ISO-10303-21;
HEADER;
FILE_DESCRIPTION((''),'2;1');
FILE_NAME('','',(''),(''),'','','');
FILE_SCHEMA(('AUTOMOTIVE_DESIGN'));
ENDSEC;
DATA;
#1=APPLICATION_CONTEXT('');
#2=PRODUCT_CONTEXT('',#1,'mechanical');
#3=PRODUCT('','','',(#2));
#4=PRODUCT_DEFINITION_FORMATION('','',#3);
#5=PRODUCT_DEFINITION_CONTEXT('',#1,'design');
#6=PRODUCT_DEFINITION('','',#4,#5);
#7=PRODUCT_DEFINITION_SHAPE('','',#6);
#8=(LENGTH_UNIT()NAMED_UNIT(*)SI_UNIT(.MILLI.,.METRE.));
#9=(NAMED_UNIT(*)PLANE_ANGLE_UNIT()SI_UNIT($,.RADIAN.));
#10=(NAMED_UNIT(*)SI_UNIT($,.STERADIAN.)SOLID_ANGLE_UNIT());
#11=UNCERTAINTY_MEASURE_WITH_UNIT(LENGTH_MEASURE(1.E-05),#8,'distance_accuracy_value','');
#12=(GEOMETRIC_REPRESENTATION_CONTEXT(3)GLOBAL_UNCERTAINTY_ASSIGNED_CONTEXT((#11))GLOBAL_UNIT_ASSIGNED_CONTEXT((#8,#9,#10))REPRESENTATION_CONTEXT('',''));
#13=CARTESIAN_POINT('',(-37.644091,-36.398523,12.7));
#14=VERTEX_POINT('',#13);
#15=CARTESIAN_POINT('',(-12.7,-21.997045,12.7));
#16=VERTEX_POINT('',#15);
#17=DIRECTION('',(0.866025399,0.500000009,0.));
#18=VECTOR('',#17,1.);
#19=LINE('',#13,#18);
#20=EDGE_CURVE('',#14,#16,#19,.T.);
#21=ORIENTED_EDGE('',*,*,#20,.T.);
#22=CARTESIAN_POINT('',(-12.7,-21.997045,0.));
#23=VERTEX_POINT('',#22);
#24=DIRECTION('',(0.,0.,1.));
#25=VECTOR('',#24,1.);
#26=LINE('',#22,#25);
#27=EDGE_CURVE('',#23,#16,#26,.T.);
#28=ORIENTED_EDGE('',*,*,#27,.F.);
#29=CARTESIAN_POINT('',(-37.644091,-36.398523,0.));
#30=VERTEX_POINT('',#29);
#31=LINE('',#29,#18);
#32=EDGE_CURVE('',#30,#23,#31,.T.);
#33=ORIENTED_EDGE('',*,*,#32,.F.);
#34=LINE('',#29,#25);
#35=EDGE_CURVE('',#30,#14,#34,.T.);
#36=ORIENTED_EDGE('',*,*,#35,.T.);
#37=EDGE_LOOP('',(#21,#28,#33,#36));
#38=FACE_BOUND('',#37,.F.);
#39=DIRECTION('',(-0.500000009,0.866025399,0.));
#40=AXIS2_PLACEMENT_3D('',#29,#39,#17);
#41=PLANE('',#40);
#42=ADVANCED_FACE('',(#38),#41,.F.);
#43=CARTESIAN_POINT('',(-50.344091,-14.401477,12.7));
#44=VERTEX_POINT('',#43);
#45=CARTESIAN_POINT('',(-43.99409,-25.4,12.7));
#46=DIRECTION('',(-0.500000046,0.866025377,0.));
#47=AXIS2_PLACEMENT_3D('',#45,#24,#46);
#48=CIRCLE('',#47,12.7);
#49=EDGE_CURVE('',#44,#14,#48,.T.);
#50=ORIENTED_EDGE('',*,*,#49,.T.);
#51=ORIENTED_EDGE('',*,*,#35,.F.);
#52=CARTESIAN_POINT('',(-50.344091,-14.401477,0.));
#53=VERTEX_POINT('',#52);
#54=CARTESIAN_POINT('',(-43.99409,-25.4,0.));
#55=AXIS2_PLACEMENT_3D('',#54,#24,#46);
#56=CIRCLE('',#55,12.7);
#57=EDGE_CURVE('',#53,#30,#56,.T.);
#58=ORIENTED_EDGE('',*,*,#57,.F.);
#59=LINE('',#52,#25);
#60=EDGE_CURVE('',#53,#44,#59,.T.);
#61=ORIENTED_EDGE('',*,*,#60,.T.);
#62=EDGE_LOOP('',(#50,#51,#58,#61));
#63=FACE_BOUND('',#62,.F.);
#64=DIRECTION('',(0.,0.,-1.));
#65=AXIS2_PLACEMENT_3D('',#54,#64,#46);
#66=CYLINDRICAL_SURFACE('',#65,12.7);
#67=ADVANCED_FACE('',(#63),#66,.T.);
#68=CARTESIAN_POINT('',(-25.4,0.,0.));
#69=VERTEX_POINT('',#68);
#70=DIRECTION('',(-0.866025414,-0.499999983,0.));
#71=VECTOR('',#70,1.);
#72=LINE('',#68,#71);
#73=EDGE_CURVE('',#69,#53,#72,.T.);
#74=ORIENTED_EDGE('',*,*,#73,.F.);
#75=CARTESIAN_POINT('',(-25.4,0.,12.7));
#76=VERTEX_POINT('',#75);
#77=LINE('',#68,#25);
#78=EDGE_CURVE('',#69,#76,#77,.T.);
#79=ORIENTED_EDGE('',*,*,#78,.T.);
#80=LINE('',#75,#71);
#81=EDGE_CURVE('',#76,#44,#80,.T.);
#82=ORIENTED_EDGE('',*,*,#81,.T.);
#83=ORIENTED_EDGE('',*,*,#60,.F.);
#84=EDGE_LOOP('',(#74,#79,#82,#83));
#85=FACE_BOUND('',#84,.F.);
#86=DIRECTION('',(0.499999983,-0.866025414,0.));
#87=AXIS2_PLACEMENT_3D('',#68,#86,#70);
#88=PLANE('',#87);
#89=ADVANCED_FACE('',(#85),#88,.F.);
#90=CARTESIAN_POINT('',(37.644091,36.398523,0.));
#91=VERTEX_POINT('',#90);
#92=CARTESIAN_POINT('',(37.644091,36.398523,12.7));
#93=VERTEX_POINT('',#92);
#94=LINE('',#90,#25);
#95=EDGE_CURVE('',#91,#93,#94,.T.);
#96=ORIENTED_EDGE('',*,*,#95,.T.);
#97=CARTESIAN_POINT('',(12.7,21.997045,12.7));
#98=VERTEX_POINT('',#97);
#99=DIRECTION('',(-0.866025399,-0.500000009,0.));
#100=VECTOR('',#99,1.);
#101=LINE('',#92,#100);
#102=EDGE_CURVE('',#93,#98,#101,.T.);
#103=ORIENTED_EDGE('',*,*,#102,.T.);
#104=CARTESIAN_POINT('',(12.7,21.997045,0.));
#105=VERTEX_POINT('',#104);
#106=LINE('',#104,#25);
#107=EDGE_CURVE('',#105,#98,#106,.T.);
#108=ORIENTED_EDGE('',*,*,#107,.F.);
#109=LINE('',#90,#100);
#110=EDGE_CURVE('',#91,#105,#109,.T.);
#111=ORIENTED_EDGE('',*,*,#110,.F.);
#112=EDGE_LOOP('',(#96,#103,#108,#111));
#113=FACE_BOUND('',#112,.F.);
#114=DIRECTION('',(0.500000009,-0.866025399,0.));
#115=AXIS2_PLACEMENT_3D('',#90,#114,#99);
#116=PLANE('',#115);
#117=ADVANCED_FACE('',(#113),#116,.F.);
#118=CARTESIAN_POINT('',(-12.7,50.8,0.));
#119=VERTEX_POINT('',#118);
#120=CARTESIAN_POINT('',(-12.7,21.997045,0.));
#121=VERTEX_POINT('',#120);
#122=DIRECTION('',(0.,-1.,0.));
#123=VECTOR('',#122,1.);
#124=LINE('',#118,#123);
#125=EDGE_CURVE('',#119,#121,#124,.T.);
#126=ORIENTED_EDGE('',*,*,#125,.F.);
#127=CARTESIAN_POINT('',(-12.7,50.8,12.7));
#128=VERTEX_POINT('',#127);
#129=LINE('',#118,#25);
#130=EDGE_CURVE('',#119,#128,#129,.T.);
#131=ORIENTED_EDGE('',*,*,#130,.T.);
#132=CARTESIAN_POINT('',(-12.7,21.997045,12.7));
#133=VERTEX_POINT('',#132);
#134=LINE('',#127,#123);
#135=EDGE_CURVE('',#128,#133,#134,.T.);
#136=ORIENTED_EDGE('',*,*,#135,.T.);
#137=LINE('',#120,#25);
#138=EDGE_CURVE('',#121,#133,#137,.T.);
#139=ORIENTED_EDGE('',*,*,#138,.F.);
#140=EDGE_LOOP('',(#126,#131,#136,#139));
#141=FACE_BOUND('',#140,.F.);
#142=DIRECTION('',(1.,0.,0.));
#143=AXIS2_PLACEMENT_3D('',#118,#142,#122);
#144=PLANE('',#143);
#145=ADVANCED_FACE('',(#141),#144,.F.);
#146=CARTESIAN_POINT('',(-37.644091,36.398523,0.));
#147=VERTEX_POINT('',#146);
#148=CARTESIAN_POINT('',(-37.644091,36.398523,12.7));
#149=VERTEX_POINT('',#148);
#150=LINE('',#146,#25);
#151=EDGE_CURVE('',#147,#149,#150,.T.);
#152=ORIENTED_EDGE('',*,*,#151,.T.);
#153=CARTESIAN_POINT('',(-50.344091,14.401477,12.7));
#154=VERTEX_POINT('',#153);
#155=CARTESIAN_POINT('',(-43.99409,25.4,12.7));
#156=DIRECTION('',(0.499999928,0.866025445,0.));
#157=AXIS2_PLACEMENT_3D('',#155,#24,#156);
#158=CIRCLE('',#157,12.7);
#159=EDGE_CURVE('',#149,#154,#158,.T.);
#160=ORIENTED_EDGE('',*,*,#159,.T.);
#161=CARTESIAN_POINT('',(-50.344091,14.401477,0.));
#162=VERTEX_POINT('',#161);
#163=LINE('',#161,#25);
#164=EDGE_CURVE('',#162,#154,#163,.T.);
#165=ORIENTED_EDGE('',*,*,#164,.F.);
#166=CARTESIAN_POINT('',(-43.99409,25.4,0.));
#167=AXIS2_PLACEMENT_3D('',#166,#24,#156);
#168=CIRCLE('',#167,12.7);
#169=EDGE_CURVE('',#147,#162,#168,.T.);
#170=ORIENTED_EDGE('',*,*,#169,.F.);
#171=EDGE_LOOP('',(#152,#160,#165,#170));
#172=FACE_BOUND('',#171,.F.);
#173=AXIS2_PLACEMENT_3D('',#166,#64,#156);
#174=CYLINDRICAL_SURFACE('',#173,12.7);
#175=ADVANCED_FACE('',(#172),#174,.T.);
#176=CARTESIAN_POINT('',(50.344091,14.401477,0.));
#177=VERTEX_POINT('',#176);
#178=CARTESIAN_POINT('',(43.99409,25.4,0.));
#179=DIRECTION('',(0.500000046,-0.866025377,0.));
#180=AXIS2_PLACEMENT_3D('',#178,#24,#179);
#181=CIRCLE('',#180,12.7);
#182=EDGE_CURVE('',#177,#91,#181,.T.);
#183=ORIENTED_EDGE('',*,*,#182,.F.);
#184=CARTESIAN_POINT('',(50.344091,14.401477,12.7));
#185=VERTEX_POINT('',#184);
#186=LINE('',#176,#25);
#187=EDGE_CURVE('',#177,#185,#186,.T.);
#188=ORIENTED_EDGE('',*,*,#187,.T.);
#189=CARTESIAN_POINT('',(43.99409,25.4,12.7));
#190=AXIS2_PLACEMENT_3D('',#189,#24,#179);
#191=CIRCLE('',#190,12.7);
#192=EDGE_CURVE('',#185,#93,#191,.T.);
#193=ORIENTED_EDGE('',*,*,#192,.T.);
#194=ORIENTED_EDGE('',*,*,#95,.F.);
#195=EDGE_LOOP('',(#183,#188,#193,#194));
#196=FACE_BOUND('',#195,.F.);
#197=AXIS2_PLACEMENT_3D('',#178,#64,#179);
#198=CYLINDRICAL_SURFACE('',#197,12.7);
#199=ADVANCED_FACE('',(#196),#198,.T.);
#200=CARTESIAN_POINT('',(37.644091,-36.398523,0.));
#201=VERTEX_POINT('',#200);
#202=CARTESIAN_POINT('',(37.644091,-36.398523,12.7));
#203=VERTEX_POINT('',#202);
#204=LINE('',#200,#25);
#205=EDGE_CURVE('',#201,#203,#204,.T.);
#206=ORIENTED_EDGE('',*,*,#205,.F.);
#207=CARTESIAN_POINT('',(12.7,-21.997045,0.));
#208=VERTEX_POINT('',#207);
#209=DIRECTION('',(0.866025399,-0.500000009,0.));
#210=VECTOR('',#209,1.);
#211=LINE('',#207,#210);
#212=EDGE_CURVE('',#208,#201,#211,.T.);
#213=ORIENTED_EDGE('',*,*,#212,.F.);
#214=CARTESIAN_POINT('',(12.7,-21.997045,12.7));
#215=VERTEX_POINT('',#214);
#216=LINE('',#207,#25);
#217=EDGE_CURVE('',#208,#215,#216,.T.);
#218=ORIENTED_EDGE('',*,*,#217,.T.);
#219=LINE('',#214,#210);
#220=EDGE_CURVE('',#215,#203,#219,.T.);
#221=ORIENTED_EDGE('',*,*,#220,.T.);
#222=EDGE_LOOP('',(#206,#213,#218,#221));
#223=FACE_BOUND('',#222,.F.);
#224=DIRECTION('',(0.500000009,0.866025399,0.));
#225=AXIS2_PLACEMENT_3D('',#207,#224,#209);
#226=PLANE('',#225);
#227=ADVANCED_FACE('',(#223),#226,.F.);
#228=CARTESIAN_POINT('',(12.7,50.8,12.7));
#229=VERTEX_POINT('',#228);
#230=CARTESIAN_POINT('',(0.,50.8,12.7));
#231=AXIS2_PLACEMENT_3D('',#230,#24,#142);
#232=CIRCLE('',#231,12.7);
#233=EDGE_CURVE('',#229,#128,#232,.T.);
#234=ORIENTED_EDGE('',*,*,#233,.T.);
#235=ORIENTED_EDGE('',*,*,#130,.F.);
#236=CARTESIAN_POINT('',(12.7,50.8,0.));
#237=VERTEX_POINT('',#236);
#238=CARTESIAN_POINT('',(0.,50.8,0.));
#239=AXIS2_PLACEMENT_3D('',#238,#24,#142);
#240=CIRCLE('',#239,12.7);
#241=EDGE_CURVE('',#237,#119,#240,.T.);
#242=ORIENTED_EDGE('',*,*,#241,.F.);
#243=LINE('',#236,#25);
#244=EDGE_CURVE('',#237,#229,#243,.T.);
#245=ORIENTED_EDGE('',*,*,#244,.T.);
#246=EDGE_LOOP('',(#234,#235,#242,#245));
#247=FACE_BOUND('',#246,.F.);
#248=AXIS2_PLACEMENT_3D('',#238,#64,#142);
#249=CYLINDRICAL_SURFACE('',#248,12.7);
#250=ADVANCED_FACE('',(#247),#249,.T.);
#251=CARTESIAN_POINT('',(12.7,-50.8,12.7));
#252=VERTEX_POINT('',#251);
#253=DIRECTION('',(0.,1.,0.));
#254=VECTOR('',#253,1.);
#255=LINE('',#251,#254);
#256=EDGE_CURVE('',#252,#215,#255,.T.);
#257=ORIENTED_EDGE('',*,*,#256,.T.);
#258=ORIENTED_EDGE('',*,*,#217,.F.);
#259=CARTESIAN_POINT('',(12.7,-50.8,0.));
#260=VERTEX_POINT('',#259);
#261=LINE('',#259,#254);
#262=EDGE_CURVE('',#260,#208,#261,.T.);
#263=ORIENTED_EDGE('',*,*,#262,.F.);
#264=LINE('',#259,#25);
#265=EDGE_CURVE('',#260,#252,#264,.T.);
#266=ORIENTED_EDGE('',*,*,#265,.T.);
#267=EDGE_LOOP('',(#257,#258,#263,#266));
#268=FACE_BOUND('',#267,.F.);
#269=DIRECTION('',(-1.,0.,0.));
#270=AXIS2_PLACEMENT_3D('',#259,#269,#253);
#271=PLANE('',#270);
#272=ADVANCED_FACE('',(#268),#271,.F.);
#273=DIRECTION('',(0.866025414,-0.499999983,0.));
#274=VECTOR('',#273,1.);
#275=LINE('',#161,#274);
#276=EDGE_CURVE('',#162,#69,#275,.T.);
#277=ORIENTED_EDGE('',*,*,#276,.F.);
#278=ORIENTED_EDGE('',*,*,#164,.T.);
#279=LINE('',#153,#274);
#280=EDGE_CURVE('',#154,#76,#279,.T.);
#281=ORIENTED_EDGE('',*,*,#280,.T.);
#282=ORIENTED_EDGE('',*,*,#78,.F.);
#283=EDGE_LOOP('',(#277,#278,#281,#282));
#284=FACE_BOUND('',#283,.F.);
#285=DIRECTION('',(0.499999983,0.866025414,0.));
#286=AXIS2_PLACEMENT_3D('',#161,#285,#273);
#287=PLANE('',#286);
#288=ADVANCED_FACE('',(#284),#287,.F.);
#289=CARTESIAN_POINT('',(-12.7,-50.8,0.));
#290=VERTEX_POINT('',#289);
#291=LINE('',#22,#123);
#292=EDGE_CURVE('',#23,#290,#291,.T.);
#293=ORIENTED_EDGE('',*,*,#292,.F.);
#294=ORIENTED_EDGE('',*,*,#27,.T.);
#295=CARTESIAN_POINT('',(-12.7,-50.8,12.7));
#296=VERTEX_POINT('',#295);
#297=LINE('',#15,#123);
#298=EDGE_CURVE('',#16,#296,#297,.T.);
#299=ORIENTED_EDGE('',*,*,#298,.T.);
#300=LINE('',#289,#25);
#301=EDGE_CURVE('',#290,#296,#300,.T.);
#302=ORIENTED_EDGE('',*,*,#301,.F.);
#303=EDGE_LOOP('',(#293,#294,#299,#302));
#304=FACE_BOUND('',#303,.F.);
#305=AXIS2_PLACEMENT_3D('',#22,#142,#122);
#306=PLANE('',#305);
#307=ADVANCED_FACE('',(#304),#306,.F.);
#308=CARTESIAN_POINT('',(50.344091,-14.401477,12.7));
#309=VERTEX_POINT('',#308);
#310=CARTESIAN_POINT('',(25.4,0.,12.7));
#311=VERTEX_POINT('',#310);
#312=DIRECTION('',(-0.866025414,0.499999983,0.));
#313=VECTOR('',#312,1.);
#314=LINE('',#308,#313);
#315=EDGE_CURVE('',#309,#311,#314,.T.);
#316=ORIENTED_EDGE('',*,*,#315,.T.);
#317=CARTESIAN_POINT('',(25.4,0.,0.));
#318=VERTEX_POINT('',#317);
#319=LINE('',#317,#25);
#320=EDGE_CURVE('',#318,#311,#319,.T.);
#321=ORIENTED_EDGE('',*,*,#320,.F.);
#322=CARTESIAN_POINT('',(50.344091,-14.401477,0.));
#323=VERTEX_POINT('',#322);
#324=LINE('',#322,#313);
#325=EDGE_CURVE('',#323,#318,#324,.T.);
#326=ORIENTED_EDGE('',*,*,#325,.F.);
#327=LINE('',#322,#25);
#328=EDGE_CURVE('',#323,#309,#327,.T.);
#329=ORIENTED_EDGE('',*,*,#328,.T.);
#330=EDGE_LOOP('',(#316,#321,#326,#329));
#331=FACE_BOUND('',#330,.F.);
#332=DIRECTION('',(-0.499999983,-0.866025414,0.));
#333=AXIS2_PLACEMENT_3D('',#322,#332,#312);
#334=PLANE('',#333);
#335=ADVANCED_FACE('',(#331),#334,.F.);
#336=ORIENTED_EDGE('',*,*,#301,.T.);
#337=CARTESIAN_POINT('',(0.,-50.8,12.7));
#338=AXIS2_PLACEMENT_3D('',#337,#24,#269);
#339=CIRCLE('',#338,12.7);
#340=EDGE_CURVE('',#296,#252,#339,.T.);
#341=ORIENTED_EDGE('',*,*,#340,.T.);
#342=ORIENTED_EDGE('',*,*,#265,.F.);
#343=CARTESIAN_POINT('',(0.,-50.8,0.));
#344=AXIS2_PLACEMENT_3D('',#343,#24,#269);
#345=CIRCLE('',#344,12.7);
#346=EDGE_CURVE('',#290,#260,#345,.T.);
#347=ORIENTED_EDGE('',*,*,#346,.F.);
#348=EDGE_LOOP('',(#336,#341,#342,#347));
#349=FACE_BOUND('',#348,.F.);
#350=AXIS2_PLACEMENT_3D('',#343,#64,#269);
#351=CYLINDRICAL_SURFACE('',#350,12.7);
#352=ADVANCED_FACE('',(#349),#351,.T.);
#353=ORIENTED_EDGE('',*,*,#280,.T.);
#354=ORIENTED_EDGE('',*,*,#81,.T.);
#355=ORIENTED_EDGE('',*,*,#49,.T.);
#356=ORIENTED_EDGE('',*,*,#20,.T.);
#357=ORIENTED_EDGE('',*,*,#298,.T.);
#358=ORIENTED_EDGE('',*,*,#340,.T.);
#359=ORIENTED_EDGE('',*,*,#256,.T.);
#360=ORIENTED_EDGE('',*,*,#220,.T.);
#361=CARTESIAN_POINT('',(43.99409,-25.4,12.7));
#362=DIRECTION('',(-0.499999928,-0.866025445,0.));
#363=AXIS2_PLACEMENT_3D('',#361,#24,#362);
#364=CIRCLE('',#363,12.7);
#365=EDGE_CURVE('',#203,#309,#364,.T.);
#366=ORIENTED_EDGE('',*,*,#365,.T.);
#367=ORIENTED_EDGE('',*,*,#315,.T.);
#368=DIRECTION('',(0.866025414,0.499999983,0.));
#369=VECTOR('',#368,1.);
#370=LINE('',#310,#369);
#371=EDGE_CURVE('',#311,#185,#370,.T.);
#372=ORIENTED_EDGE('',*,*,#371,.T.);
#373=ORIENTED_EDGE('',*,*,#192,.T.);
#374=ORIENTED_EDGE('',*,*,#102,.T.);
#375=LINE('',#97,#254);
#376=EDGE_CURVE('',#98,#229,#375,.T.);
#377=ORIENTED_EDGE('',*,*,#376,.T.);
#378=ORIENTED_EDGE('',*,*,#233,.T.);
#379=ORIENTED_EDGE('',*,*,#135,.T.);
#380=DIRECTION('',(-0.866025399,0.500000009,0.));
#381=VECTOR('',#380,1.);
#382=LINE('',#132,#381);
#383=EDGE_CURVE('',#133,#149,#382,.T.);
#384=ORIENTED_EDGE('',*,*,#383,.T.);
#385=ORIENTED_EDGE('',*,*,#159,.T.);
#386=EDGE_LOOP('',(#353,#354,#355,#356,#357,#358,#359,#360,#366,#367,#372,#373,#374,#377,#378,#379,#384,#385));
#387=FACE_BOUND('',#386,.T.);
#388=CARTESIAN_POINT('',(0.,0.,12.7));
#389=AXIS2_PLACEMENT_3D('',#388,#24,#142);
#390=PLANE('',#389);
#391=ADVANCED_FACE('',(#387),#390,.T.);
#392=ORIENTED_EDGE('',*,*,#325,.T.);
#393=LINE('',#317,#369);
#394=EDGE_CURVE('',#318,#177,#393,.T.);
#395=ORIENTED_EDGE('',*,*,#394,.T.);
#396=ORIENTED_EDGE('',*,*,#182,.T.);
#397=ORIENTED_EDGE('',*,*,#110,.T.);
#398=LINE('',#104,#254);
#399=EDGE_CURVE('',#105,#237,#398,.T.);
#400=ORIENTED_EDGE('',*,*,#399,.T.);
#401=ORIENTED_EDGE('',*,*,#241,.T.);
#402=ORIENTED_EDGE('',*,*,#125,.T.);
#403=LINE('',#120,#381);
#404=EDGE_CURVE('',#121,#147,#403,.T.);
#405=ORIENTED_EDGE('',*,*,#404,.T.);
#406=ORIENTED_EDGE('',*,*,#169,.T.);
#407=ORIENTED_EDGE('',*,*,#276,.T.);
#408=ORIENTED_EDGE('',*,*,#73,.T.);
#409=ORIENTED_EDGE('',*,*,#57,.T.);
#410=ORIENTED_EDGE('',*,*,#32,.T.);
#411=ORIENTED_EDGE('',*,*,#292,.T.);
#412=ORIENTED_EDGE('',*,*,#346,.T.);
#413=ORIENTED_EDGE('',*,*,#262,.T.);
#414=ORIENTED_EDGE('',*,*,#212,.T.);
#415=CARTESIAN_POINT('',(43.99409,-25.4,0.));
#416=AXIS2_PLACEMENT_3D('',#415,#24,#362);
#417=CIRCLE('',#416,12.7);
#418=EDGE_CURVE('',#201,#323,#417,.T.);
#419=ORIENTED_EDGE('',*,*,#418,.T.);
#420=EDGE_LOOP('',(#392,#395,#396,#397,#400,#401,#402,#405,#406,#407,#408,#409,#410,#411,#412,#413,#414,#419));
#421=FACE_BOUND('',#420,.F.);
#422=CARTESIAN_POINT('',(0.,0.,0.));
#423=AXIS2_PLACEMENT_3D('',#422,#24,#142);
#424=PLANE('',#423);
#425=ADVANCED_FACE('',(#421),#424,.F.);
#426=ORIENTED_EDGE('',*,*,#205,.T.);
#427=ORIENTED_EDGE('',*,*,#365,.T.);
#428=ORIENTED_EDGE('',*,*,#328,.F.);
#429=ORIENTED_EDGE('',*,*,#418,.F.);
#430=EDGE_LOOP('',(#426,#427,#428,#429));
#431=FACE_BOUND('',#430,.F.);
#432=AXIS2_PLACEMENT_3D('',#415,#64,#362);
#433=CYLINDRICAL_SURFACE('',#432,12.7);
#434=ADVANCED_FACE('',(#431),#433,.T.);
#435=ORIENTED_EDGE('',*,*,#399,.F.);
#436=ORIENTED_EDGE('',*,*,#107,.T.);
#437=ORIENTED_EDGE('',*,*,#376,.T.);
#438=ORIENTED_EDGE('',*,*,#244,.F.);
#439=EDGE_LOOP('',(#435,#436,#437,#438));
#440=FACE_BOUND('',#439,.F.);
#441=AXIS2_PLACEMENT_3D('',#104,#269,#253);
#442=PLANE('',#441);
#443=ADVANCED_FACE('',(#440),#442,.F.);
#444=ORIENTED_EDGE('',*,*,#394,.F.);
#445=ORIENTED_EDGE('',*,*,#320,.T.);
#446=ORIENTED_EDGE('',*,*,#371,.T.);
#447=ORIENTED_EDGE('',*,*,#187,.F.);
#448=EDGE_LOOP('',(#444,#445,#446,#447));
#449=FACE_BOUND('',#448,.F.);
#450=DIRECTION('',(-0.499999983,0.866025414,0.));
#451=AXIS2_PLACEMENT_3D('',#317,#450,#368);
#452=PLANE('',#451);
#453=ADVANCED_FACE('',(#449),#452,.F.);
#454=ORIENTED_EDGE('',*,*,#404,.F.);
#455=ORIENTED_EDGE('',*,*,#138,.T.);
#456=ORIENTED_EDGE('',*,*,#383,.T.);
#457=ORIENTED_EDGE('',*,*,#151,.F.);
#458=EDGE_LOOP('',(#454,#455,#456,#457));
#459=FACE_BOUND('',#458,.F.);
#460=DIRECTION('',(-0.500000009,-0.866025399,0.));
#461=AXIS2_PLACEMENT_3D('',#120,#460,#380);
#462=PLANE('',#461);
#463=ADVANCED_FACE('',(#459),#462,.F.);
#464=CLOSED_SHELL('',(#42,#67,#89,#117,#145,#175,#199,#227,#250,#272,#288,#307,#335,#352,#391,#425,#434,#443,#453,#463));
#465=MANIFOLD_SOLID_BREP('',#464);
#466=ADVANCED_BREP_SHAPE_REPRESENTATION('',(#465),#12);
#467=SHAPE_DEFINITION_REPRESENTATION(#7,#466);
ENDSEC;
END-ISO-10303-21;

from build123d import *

# Parameters (mm, degrees)
F1_DEPTH = 12.7


with BuildPart() as f1:
    # F0 (on Top) → F1 (new body)
    with BuildSketch(Plane.XY):
        with BuildLine():
            Line((12.7, 21.997045), (12.7, 50.8))
            ThreePointArc((12.7, 50.8), (0, 63.5), (-12.7, 50.8))
            Line((-12.7, 50.8), (-12.7, 21.997045))
            Line((-12.7, 21.997045), (-37.644091, 36.398523))
            ThreePointArc((-37.644091, 36.398523), (-54.992613, 31.75), (-50.344091, 14.401477))
            Line((-50.344091, 14.401477), (-25.4, 0))
            Line((-25.4, 0), (-50.344091, -14.401477))
            ThreePointArc((-50.344091, -14.401477), (-54.992613, -31.75), (-37.644091, -36.398523))
            Line((-37.644091, -36.398523), (-12.7, -21.997045))
            Line((-12.7, -21.997045), (-12.7, -50.8))
            ThreePointArc((-12.7, -50.8), (0, -63.5), (12.7, -50.8))
            Line((12.7, -50.8), (12.7, -21.997045))
            Line((12.7, -21.997045), (37.644091, -36.398523))
            ThreePointArc((37.644091, -36.398523), (54.992613, -31.75), (50.344091, -14.401477))
            Line((50.344091, -14.401477), (25.4, 0))
            Line((25.4, 0), (50.344091, 14.401477))
            ThreePointArc((50.344091, 14.401477), (54.992613, 31.75), (37.644091, 36.398523))
            Line((37.644091, 36.398523), (12.7, 21.997045))
        make_face()
    extrude(amount=F1_DEPTH)


solid = f1.part
